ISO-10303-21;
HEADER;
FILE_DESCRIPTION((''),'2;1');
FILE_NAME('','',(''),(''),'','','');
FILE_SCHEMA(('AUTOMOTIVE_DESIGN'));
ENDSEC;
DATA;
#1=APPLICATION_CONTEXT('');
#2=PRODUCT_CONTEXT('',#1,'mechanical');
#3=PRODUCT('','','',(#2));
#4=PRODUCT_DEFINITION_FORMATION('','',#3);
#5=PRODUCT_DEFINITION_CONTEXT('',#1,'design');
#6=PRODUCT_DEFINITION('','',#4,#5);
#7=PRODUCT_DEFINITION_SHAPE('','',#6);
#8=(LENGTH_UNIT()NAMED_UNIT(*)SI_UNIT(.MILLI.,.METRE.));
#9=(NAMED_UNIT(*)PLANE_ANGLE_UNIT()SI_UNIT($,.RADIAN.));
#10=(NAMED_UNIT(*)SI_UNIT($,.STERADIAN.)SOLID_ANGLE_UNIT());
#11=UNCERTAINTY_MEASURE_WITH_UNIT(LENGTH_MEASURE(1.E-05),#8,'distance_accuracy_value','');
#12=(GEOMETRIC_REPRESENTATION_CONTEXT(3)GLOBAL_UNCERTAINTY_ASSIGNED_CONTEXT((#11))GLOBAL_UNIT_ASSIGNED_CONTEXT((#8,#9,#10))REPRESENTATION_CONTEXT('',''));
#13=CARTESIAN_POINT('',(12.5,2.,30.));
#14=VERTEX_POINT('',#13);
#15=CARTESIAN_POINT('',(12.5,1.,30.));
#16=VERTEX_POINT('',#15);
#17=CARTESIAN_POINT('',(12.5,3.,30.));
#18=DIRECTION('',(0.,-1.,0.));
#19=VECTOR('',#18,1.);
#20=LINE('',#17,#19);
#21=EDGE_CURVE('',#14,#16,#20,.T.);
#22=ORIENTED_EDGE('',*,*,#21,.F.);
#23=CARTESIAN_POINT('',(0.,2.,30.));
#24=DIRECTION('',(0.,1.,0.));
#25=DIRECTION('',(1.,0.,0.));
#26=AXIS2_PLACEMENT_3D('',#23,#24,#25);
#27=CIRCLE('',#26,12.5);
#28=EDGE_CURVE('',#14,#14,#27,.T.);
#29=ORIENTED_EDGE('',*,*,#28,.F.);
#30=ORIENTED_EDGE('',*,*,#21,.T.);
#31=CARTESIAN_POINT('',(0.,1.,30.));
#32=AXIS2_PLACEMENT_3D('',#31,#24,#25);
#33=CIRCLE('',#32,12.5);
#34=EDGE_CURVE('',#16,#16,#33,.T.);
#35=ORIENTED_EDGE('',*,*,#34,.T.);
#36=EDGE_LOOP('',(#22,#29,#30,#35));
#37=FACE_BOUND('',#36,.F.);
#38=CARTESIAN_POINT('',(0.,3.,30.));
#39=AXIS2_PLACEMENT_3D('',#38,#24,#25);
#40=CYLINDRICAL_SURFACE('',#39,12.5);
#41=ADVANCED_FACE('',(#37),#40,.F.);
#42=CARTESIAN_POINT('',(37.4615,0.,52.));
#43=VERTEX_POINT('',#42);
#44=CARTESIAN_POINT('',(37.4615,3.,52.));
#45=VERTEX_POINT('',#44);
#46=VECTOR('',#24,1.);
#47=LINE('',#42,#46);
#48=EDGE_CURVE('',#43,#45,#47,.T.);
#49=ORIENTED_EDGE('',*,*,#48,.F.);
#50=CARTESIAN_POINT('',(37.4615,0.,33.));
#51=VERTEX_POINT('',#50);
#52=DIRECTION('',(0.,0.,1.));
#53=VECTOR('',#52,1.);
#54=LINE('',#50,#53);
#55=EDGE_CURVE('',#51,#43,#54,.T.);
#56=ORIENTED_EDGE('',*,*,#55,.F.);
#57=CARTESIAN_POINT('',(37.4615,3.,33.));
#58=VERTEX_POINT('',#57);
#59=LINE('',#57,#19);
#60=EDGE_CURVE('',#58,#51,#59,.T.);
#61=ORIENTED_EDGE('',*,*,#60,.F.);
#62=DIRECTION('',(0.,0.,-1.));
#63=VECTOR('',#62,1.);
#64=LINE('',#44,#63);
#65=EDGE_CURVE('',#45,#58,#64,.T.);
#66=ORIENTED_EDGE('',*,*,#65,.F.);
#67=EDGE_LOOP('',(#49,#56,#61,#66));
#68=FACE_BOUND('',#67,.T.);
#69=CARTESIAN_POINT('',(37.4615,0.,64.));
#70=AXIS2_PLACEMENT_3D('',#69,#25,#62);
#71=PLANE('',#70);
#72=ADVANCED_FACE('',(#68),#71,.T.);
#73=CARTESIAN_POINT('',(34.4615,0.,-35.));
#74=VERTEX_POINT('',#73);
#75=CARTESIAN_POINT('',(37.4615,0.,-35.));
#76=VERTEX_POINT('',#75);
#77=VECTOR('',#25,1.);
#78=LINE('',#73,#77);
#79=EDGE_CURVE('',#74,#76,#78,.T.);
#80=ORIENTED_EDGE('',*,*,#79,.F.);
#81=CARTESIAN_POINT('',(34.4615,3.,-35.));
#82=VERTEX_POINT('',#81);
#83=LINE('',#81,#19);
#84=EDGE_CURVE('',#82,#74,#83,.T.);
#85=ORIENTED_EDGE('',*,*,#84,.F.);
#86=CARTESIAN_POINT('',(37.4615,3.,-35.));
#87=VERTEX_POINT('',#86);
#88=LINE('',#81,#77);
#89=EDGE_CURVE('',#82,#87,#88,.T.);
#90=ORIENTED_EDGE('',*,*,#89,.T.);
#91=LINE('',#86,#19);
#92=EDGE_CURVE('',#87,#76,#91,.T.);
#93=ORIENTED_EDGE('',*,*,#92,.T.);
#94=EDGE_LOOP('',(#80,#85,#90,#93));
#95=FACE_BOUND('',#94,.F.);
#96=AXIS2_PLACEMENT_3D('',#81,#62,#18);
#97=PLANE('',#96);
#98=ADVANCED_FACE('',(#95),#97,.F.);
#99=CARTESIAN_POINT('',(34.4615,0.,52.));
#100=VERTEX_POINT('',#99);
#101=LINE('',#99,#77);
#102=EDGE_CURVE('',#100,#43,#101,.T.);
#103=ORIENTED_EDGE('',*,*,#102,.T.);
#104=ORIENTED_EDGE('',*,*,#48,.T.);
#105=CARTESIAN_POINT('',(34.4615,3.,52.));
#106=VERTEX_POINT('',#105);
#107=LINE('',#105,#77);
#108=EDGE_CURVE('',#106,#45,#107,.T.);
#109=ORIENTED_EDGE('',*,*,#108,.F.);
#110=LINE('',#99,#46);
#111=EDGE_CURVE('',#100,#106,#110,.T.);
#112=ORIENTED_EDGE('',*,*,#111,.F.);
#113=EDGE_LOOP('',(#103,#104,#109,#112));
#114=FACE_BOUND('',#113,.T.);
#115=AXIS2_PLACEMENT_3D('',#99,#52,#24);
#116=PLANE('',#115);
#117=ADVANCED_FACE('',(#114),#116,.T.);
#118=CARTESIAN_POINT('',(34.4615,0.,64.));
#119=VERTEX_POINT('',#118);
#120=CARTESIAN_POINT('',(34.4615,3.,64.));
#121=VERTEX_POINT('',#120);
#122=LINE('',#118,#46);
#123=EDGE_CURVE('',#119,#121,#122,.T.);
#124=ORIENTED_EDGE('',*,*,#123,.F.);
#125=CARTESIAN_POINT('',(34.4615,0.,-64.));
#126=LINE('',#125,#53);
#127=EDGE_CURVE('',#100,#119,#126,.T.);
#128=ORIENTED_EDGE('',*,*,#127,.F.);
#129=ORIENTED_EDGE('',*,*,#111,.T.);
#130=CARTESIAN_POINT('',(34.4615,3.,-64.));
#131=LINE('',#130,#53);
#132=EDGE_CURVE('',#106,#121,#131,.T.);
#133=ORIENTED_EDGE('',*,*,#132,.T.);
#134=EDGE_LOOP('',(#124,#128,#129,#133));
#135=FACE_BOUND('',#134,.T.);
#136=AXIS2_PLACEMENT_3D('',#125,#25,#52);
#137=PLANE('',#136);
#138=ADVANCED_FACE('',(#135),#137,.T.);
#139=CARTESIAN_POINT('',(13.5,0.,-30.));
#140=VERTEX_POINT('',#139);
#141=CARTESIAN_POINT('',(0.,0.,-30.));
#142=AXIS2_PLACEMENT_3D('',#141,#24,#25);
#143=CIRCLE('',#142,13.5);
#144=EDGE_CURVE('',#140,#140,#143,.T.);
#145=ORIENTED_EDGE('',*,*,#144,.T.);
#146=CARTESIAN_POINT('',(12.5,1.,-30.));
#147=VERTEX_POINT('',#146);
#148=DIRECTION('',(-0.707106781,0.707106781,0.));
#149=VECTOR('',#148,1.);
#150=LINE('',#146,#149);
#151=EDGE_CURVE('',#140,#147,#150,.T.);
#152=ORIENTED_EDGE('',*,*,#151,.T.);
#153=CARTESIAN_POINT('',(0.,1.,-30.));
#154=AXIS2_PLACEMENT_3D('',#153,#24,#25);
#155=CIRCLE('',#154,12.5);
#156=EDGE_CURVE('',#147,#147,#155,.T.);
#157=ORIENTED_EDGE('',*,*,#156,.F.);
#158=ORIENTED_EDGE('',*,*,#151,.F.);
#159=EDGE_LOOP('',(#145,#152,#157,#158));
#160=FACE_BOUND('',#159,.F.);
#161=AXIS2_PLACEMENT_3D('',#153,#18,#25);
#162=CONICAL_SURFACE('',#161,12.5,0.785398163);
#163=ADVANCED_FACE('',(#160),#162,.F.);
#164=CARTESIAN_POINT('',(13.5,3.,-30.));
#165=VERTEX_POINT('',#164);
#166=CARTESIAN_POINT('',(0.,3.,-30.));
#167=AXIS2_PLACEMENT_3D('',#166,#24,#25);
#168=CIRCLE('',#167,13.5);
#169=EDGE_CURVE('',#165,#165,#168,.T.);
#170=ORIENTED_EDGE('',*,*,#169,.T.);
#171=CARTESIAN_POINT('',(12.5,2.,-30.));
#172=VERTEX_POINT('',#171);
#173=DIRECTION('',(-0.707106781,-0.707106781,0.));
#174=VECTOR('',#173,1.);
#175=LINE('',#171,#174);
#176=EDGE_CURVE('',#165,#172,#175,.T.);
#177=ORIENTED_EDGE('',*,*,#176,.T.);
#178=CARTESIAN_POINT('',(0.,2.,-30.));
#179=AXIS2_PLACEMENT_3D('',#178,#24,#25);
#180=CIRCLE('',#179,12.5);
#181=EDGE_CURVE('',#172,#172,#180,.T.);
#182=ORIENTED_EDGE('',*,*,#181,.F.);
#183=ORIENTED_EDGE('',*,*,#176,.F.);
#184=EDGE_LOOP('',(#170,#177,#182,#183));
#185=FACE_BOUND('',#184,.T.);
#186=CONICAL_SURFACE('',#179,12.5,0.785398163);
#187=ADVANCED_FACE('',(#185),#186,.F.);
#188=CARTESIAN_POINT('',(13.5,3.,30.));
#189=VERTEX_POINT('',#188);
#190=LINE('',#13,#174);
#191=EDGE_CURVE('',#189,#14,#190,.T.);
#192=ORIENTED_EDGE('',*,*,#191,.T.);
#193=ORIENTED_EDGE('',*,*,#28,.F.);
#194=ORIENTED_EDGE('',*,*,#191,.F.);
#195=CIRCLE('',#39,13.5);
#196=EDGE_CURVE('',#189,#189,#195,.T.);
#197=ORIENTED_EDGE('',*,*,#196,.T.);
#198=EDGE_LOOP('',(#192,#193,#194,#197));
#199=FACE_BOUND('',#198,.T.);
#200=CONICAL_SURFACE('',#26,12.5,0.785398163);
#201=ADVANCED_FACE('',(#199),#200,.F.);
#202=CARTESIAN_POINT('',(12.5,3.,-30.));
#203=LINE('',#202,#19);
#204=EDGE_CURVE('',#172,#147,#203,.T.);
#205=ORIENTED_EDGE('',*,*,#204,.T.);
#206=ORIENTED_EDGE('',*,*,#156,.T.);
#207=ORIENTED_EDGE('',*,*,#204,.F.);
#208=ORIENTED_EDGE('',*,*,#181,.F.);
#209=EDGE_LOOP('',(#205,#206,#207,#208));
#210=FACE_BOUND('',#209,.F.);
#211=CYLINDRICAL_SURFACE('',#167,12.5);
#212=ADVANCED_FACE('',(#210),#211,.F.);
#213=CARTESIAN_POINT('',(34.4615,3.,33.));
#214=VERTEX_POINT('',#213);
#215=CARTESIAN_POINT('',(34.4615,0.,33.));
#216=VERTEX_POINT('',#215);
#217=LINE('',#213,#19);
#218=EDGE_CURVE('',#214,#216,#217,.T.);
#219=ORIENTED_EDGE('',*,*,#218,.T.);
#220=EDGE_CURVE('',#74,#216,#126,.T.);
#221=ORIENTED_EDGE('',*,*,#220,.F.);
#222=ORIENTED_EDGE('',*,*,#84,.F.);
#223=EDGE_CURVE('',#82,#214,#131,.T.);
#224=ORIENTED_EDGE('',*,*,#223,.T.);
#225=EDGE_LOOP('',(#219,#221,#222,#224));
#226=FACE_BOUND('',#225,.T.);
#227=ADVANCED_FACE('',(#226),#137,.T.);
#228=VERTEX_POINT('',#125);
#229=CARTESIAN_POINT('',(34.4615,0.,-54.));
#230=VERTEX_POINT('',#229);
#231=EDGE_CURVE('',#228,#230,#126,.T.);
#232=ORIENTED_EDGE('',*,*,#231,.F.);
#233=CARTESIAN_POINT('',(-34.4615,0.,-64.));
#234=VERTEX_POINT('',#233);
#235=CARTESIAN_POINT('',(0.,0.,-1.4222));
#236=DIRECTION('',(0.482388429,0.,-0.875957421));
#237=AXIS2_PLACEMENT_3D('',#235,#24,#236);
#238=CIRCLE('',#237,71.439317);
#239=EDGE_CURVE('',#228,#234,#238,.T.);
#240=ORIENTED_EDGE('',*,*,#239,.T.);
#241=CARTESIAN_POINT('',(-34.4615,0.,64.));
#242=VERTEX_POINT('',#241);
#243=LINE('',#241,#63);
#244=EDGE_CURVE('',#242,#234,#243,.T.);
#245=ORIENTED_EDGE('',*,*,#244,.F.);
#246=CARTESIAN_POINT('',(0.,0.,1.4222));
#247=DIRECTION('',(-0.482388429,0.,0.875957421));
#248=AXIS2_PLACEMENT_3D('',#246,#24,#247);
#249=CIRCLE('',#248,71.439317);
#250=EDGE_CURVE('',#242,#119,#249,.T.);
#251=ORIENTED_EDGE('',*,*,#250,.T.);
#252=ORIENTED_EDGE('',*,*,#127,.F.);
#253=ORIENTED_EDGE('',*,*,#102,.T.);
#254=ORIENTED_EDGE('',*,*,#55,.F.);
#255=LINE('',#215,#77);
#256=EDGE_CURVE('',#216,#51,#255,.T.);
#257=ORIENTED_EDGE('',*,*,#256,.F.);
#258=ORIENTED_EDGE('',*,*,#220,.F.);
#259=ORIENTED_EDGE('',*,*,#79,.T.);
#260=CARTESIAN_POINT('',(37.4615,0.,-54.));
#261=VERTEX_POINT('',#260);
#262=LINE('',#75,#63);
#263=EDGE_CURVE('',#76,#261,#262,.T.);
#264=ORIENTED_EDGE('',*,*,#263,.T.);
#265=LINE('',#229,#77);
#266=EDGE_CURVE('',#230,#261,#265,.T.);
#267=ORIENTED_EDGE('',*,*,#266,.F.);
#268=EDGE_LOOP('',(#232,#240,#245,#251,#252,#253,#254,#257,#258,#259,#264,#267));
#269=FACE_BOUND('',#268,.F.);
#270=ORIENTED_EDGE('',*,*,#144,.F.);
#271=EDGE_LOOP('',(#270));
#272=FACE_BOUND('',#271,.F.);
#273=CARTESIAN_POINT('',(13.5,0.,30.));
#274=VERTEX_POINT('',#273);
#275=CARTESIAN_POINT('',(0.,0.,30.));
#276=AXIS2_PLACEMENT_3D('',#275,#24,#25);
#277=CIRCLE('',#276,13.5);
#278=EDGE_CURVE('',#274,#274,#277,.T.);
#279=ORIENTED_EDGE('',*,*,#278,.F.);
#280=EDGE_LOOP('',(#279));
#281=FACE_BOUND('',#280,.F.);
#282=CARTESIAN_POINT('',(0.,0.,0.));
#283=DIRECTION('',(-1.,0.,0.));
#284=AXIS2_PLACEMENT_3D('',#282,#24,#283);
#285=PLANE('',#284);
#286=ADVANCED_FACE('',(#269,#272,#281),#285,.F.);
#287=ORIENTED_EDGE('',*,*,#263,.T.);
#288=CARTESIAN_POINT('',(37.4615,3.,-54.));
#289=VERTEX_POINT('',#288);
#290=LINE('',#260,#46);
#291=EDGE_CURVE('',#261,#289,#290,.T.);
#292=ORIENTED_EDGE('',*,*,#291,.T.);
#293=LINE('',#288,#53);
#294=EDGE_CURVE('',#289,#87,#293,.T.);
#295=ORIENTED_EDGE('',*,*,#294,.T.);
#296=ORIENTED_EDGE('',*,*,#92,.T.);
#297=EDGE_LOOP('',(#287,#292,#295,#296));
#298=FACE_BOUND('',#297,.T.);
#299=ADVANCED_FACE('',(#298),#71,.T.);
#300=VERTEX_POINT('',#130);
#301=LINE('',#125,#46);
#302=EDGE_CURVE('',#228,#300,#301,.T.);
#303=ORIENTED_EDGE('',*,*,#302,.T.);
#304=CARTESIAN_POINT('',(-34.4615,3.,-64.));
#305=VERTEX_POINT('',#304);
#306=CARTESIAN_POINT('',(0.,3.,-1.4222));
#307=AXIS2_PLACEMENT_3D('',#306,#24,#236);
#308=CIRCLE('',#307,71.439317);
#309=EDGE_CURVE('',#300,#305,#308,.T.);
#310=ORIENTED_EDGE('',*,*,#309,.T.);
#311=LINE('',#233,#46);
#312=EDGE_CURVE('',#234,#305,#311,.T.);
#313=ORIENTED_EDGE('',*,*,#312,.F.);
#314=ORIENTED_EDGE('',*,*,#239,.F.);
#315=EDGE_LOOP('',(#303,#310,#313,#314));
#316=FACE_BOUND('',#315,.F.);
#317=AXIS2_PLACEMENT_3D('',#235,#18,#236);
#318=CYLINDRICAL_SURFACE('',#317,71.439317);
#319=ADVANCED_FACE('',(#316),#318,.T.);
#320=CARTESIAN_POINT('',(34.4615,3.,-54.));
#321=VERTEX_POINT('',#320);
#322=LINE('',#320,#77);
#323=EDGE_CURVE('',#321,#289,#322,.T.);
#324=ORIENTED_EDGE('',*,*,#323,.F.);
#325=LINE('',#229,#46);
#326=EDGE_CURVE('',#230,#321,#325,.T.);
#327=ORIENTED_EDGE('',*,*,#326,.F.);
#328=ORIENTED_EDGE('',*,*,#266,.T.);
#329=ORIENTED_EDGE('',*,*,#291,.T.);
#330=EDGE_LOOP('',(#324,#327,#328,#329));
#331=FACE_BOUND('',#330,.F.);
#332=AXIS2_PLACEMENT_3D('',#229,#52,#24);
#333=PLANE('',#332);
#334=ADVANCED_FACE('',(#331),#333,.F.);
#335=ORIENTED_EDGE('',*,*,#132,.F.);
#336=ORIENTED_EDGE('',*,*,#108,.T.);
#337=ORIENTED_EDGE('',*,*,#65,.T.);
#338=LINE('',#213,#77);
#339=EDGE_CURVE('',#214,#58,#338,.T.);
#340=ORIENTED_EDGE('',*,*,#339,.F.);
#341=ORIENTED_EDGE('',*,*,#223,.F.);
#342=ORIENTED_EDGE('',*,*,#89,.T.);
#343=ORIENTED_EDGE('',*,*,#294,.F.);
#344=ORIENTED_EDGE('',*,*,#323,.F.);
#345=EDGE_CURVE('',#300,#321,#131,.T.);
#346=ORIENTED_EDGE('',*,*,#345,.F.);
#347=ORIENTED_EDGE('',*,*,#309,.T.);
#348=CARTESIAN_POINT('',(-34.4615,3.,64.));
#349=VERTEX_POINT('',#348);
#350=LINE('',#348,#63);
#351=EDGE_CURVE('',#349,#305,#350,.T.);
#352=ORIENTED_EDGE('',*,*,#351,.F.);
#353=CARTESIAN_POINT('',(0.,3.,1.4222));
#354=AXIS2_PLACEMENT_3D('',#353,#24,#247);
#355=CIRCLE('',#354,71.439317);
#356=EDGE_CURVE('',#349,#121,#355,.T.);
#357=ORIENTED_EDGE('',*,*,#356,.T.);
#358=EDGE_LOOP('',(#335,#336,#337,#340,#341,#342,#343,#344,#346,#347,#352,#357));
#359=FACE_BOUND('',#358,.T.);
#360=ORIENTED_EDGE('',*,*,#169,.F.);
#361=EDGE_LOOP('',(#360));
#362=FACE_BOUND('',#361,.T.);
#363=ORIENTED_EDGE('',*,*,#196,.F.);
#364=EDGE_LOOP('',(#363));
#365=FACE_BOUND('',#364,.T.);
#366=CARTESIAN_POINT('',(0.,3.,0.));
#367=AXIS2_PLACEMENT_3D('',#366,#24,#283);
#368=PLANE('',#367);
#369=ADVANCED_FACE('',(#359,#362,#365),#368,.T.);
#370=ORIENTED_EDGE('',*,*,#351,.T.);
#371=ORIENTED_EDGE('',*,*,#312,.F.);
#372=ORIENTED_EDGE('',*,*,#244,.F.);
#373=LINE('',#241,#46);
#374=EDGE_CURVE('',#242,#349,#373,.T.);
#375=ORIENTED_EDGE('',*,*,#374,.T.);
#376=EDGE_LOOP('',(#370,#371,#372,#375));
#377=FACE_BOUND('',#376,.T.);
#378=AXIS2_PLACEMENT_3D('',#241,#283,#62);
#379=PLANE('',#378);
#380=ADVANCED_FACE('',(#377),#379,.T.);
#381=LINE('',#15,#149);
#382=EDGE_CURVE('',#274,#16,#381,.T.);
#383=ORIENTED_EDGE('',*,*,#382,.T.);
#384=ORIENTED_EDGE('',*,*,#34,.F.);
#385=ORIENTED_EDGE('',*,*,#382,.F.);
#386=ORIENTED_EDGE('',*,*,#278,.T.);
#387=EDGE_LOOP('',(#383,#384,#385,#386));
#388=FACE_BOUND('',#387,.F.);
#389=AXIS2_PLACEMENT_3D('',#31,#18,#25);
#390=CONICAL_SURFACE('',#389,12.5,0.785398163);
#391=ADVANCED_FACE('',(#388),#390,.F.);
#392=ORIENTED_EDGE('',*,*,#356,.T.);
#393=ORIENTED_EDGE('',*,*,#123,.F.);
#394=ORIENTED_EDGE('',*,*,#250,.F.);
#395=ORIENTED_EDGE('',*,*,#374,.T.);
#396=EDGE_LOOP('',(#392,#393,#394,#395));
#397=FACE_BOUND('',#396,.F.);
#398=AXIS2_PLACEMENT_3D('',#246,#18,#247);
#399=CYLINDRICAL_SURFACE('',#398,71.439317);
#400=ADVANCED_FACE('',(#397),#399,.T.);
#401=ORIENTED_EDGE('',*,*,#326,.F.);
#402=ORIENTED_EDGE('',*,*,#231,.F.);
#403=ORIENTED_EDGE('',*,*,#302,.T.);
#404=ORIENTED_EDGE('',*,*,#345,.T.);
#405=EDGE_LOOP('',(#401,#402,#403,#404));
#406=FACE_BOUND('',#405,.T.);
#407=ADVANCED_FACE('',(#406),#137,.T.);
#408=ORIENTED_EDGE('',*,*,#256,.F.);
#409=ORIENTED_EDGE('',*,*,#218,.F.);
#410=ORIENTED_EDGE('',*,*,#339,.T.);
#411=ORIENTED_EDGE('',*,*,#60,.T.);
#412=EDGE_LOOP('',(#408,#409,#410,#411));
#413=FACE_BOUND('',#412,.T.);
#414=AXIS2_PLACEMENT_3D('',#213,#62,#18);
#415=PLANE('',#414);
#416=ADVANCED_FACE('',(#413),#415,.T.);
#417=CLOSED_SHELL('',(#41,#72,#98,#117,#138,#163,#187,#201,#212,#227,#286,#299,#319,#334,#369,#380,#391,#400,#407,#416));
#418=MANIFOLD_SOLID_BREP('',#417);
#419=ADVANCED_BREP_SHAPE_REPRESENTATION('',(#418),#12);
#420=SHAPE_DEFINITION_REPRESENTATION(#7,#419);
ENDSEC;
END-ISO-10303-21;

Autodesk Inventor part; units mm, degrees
ref_plane "YZ Plane" through (0, 0, 0) normal (1, 0, 0) x (0, 1, 0)
ref_plane "XZ Plane" through (0, 0, 0) normal (0, 1, 0) x (-1, 0, 0)
ref_plane "XY Plane" through (0, 0, 0) normal (0, 0, 1) x (1, 0, 0)
sketch "Sketch1" plane through (0, 0, 0) normal (0, 1, 0) x (-1, 0, 0)
  line L0 (34.4615, 64) -> (34.4615, -64)
  line L1 (-34.4615, -64) -> (-34.4615, 64)
  line L2 (-34.4615, 64) -> (34.4615, -64) construction
  line L3 (34.4615, 64) -> (-34.4615, -64) construction
  arc A0 (-34.4615, -64) -> (34.4615, -64) centre (0, -1.4222) ccw
  arc A1 (34.4615, 64) -> (-34.4615, 64) centre (0, 1.4222) ccw
  point P0 (0, 0)
  dimension "d1" = 128
extrude "taban" add sketch "Sketch1" along normal blind 3
sketch "Sketch2" plane through (0, 3, 0) normal (0, 1, 0) x (1, 0, 0)
  circle A0 centre (0, 30) radius 12.5
  circle A1 centre (0, -30) radius 12.5
extrude "cam" cut sketch "Sketch2" against normal blind 3
sketch "Sketch3" plane through (34.4615, 0, 64) normal (1, 0, 0) x (0, 0, -1)
  line L0 (12, 3) -> (31, 3)
  line L1 (31, 3) -> (31, 0)
  line L2 (31, 0) -> (12, 0)
  line L3 (12, 0) -> (12, 3)
  line L4 (118, 3) -> (99, 3)
  line L5 (99, 3) -> (99, 0)
  line L6 (99, 0) -> (118, 0)
  line L7 (118, 0) -> (118, 3)
extrude "sikigecme" add sketch "Sketch3" along normal blind 3
chamfer "Chamfer1" distance 1 angle 45 4 edges at (-12.5, 0, -30) (-12.5, 0, 30) (-12.5, 3, 30) (-12.5, 3, -30)
properties part number "VR_Cam_Kismi_3DPrint"
